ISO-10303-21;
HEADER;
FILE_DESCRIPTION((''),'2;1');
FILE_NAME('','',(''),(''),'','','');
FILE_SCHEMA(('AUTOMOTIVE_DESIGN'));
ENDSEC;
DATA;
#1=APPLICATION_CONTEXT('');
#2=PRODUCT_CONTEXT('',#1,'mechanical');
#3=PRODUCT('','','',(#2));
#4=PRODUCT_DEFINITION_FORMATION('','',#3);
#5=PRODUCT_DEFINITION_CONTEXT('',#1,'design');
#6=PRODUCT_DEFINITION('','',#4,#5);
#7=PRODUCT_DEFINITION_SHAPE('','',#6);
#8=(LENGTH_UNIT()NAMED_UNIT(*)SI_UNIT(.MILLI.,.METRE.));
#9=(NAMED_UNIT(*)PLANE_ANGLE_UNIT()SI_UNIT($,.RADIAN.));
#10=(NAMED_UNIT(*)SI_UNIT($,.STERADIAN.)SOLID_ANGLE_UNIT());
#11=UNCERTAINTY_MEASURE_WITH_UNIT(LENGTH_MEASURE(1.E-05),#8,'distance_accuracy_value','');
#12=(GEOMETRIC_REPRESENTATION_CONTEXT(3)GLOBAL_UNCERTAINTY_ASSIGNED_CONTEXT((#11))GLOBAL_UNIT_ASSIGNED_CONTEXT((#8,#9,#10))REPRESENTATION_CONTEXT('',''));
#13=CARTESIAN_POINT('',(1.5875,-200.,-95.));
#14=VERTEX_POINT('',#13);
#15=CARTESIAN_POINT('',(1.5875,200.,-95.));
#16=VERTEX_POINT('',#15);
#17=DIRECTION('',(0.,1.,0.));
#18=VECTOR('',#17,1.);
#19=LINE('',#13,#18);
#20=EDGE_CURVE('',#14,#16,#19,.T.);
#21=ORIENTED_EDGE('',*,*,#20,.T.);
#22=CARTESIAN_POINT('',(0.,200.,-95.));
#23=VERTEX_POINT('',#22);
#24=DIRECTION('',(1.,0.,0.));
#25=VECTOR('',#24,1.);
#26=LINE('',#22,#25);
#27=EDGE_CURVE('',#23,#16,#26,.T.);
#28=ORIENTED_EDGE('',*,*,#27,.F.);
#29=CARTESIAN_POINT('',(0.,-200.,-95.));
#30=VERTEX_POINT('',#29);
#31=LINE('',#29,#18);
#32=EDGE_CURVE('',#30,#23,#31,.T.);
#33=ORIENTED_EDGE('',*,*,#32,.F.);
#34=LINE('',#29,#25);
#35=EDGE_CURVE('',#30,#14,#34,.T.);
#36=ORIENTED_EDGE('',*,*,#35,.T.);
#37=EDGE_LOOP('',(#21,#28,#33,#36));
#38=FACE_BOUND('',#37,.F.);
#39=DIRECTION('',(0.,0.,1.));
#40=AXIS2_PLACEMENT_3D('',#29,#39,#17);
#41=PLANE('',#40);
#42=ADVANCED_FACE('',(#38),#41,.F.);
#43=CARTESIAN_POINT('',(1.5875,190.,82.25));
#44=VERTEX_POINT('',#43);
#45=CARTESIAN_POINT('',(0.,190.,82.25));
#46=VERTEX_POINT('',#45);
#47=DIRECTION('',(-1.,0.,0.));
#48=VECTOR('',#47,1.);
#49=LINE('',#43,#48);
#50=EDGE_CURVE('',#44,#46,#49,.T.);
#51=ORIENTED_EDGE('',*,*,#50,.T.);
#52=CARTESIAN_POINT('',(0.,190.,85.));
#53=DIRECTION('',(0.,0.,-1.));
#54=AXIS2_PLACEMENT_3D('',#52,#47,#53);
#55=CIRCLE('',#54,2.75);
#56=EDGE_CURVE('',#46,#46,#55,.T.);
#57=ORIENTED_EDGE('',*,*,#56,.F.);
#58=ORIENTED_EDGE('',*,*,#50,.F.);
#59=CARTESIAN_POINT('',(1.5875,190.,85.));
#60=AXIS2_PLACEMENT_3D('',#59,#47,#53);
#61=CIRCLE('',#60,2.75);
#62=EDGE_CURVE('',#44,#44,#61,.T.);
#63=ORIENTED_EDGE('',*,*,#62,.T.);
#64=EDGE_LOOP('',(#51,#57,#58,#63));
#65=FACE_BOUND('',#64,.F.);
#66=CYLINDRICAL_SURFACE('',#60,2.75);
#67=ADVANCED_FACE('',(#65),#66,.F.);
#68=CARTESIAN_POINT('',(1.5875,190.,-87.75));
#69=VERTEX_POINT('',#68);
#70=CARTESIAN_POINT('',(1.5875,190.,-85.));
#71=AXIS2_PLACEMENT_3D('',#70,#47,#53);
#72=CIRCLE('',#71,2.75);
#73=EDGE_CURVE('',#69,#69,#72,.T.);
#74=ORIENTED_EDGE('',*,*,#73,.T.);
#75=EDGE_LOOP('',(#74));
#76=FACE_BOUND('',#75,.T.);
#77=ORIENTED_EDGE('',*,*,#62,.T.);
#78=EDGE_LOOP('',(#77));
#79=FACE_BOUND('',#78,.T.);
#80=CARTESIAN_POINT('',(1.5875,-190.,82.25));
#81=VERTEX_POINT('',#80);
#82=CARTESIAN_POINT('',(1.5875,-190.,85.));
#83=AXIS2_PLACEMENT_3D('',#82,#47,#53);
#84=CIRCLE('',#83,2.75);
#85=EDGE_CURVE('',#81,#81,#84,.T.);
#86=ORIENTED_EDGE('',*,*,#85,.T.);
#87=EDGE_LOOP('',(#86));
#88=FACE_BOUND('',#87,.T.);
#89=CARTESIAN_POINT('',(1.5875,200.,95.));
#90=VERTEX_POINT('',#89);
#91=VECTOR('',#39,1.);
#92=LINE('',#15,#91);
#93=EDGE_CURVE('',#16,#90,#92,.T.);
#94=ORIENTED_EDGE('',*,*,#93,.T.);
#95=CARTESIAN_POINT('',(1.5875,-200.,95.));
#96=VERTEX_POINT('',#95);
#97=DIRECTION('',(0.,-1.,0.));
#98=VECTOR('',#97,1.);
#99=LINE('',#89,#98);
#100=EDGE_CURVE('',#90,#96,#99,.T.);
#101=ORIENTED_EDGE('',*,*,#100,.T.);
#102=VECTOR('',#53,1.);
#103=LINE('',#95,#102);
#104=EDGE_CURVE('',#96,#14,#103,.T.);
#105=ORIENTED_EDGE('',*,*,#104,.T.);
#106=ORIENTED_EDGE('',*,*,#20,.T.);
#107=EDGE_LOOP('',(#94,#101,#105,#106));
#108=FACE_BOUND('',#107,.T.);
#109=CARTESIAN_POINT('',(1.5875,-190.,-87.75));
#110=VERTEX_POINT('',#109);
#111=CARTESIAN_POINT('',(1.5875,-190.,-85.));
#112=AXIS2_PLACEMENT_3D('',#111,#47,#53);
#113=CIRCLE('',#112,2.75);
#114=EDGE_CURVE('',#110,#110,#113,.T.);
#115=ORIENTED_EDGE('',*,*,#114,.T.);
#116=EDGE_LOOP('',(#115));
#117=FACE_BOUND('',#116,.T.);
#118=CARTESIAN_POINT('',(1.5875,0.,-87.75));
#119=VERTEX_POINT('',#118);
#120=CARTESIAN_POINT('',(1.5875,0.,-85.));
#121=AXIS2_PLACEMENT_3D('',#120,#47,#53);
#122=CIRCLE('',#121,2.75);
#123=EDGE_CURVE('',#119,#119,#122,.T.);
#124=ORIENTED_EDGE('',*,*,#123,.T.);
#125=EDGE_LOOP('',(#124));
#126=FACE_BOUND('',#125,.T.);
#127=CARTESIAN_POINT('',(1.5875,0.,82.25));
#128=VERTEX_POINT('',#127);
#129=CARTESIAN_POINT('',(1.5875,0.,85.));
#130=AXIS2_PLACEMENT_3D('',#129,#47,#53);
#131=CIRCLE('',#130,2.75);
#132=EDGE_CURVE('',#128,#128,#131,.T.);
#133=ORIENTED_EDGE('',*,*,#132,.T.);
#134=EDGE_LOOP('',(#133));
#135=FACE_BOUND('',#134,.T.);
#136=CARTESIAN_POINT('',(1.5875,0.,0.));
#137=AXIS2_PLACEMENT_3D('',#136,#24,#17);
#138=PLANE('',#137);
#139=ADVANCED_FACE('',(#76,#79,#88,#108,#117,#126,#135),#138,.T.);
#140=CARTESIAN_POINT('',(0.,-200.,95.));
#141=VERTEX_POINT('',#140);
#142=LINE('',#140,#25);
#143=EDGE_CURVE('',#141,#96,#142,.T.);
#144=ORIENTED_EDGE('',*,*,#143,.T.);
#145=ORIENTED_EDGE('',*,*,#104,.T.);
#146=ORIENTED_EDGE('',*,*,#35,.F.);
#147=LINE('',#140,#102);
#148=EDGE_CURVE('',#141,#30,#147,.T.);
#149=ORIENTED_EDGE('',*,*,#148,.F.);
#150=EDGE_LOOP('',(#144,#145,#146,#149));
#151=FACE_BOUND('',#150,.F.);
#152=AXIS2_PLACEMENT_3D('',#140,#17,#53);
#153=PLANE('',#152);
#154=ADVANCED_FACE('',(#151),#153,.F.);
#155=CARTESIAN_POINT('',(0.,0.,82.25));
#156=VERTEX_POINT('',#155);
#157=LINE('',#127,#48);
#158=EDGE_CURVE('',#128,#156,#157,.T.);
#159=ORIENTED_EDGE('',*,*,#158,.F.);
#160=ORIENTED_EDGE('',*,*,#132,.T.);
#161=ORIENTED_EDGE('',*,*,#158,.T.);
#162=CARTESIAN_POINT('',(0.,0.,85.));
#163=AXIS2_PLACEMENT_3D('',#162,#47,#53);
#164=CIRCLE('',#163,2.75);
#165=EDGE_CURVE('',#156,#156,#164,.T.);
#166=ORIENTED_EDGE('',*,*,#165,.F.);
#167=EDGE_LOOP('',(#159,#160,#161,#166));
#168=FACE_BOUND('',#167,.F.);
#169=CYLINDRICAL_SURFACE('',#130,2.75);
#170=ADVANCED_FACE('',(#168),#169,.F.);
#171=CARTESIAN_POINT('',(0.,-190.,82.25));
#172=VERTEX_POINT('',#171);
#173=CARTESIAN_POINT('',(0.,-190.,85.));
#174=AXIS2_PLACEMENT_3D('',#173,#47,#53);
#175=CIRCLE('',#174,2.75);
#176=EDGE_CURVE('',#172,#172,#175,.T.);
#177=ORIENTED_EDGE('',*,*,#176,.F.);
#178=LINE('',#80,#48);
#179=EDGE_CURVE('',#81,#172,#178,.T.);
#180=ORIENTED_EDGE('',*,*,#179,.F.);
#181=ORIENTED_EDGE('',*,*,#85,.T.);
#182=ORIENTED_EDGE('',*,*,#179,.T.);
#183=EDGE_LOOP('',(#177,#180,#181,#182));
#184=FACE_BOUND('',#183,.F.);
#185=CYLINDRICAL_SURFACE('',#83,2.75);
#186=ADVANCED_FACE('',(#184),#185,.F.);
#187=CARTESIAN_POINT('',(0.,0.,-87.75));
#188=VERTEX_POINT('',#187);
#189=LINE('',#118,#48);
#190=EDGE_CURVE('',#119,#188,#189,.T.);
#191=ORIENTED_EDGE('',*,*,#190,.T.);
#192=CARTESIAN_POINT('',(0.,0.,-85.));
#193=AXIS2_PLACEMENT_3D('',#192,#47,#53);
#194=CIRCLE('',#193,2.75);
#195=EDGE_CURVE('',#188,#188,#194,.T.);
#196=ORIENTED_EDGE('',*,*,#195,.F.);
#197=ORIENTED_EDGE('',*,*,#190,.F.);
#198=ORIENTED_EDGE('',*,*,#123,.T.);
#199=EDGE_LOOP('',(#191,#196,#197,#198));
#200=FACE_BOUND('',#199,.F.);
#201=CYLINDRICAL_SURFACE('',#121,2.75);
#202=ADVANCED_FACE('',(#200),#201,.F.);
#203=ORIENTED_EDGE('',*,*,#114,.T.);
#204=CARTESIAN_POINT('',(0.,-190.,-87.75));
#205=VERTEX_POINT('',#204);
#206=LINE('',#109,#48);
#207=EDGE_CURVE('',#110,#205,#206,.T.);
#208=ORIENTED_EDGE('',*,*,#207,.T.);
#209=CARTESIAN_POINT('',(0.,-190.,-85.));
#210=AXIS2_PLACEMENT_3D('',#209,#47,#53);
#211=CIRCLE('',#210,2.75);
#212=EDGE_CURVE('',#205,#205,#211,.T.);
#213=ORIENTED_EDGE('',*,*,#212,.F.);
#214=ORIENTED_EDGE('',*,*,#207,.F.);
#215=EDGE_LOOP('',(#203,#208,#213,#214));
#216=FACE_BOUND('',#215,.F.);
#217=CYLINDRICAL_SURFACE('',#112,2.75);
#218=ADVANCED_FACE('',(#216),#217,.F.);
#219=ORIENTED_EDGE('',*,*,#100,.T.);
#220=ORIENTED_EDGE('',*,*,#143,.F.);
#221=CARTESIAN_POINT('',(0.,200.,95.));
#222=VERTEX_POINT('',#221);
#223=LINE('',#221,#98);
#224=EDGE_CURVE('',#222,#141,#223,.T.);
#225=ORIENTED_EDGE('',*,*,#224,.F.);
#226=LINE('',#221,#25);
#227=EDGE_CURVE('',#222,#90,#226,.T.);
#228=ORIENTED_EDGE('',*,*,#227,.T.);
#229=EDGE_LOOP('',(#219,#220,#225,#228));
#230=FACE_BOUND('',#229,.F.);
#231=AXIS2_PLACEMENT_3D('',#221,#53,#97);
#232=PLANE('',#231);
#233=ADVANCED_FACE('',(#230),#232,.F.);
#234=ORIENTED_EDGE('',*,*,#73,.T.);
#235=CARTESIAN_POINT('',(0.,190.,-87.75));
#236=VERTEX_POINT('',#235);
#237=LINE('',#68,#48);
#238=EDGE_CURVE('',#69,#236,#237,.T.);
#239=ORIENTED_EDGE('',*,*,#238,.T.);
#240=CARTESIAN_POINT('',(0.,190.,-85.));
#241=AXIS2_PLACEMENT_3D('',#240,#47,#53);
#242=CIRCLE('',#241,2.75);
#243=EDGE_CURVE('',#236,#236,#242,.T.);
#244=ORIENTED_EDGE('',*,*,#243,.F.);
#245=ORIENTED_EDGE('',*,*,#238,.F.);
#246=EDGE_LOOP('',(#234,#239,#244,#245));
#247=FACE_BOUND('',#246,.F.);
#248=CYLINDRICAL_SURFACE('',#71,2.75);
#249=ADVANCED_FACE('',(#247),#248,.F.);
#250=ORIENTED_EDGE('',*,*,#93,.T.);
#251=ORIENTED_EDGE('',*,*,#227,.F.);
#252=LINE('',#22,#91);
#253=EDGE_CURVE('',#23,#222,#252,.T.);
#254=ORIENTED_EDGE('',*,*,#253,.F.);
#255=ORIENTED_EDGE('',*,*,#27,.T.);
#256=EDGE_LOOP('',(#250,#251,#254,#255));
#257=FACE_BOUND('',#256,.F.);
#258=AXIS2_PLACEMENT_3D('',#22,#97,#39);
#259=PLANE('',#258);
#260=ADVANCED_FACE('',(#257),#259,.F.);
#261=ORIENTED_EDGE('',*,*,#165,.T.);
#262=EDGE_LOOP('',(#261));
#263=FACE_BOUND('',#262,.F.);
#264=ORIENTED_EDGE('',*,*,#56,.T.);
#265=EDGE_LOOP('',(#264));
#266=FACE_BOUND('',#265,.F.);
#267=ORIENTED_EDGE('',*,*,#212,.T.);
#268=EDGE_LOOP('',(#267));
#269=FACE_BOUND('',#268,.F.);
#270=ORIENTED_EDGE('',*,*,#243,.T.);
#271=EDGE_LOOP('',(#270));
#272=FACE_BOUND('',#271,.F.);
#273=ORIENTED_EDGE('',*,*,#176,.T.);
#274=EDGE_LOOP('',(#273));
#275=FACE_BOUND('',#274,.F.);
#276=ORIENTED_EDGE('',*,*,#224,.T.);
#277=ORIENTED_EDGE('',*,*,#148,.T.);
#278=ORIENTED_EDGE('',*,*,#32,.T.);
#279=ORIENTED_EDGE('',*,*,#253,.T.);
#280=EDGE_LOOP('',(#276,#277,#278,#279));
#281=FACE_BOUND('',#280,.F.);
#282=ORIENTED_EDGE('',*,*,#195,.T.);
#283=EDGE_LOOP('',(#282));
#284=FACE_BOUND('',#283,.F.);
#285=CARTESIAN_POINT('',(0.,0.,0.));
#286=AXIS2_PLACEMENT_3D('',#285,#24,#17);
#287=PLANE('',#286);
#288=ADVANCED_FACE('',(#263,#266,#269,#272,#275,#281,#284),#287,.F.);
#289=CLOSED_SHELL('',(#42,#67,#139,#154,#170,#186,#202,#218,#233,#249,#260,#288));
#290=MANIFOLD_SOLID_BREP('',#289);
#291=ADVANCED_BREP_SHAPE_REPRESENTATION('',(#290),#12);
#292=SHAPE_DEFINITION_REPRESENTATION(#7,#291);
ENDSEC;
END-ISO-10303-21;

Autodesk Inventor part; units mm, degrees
ref_plane "YZ Plane" through (0, 0, 0) normal (1, 0, 0) x (0, 1, 0)
ref_plane "XZ Plane" through (0, 0, 0) normal (0, 1, 0) x (-1, 0, 0)
ref_plane "XY Plane" through (0, 0, 0) normal (0, 0, 1) x (1, 0, 0)
sketch "Sketch1" plane through (0, 0, 0) normal (1, 0, 0) x (0, 1, 0)
  line L0 (200, 95) -> (-200, 95)
  line L1 (-200, 95) -> (-200, -95)
  line L2 (-200, -95) -> (200, -95)
  line L3 (200, -95) -> (200, 95)
  line L4 (200, 95) -> (-200, -95) construction
  line L5 (-200, 95) -> (200, -95) construction
  point P0 (0, 0)
  dimension "d0" = 400
  dimension "d1" = 190
extrude "Extrusion1" add sketch "Sketch1" along normal blind 1.5875
sketch "Sketch2" plane through (1.5875, 0, 0) normal (1, 0, 0) x (0, 0, -1)
  circle A0 centre (-85, 190) radius 5
  circle A1 centre (85, 190) radius 5
  circle A2 centre (85, -190) radius 5
  circle A3 centre (-85, -190) radius 5
  line L0 (95, 200) -> (-95, 200) projected
  line L1 (-95, 200) -> (-95, -200) projected
  line L2 (-95, -200) -> (95, -200) projected
  line L3 (95, -200) -> (95, 200) projected
  point P0 (0, 0)
  point P1 (-85, 0)
  point P2 (85, 0)
  dimension "d4" = 10
  dimension "d5" = 10
  dimension "d6" = 10
  dimension "d7" = 10
  dimension "d8" = 10
hole "Hole1" at (1.5875, 190, 85) at (1.5875, 190, -85) at (1.5875, -190, -85) at (1.5875, -190, 85) at (1.5875, 0, 85) at (1.5875, 0, -85) direction (-1, 0, 0) diameter 5.5 end through all clearance for "Flat Head Machine Screw" size "M5" standard "Ansi Metric M Profile"
properties part number "long covering" material "Glass"
